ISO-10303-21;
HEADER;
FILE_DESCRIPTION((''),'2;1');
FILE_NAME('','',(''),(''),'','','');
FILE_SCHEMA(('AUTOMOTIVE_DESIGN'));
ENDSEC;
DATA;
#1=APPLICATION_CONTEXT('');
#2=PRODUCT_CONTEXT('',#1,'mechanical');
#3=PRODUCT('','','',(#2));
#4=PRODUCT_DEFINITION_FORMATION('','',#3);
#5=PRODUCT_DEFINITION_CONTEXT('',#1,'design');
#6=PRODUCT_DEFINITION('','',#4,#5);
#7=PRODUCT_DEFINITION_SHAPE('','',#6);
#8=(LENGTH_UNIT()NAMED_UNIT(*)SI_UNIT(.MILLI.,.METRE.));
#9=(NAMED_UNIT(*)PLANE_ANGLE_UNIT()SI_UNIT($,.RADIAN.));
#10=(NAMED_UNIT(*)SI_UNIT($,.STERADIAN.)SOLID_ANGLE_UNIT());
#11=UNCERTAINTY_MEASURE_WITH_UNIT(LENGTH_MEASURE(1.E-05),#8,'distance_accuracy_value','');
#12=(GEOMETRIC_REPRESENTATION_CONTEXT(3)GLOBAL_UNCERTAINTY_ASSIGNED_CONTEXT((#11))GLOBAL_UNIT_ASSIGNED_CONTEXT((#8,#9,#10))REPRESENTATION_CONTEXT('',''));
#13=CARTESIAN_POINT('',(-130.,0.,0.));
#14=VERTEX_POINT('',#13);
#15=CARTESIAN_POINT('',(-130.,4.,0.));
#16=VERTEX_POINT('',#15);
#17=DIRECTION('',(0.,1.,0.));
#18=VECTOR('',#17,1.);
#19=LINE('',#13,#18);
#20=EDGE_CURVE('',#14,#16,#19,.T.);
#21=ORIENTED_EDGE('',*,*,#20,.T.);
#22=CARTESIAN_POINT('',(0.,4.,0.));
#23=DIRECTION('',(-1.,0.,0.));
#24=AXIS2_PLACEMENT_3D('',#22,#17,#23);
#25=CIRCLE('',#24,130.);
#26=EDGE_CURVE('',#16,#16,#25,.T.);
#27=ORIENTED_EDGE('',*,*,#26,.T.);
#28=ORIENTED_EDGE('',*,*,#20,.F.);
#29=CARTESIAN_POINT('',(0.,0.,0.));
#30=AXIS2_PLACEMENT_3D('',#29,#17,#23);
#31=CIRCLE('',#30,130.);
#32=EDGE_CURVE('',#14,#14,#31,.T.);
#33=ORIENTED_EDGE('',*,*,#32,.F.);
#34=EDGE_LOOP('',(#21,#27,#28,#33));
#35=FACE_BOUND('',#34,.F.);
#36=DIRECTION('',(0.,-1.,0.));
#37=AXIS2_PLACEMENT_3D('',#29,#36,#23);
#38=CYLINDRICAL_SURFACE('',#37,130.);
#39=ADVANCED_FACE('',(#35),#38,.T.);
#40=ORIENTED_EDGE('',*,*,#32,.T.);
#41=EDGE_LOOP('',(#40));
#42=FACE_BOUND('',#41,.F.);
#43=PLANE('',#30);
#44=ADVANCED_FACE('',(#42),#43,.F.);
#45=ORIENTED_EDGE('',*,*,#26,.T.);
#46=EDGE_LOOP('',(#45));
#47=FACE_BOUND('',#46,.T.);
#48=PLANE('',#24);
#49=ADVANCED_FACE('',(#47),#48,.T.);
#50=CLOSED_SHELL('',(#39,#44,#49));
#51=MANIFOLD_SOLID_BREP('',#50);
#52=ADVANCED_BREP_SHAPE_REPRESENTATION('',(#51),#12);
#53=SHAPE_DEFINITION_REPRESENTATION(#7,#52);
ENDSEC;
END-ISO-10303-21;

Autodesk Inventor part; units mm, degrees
ref_plane "YZ Plane" through (0, 0, 0) normal (1, 0, 0) x (0, 1, 0)
ref_plane "XZ Plane" through (0, 0, 0) normal (0, 1, 0) x (-1, 0, 0)
ref_plane "XY Plane" through (0, 0, 0) normal (0, 0, 1) x (1, 0, 0)
sketch "Sketch1" plane through (0, 0, 0) normal (0, 1, 0) x (-1, 0, 0)
  circle A0 centre (0, 0) radius 130
  dimension "d0" = 260
extrude "Extrusion1" add sketch "Sketch1" along normal blind 4
properties part number "260 mm Glass"
